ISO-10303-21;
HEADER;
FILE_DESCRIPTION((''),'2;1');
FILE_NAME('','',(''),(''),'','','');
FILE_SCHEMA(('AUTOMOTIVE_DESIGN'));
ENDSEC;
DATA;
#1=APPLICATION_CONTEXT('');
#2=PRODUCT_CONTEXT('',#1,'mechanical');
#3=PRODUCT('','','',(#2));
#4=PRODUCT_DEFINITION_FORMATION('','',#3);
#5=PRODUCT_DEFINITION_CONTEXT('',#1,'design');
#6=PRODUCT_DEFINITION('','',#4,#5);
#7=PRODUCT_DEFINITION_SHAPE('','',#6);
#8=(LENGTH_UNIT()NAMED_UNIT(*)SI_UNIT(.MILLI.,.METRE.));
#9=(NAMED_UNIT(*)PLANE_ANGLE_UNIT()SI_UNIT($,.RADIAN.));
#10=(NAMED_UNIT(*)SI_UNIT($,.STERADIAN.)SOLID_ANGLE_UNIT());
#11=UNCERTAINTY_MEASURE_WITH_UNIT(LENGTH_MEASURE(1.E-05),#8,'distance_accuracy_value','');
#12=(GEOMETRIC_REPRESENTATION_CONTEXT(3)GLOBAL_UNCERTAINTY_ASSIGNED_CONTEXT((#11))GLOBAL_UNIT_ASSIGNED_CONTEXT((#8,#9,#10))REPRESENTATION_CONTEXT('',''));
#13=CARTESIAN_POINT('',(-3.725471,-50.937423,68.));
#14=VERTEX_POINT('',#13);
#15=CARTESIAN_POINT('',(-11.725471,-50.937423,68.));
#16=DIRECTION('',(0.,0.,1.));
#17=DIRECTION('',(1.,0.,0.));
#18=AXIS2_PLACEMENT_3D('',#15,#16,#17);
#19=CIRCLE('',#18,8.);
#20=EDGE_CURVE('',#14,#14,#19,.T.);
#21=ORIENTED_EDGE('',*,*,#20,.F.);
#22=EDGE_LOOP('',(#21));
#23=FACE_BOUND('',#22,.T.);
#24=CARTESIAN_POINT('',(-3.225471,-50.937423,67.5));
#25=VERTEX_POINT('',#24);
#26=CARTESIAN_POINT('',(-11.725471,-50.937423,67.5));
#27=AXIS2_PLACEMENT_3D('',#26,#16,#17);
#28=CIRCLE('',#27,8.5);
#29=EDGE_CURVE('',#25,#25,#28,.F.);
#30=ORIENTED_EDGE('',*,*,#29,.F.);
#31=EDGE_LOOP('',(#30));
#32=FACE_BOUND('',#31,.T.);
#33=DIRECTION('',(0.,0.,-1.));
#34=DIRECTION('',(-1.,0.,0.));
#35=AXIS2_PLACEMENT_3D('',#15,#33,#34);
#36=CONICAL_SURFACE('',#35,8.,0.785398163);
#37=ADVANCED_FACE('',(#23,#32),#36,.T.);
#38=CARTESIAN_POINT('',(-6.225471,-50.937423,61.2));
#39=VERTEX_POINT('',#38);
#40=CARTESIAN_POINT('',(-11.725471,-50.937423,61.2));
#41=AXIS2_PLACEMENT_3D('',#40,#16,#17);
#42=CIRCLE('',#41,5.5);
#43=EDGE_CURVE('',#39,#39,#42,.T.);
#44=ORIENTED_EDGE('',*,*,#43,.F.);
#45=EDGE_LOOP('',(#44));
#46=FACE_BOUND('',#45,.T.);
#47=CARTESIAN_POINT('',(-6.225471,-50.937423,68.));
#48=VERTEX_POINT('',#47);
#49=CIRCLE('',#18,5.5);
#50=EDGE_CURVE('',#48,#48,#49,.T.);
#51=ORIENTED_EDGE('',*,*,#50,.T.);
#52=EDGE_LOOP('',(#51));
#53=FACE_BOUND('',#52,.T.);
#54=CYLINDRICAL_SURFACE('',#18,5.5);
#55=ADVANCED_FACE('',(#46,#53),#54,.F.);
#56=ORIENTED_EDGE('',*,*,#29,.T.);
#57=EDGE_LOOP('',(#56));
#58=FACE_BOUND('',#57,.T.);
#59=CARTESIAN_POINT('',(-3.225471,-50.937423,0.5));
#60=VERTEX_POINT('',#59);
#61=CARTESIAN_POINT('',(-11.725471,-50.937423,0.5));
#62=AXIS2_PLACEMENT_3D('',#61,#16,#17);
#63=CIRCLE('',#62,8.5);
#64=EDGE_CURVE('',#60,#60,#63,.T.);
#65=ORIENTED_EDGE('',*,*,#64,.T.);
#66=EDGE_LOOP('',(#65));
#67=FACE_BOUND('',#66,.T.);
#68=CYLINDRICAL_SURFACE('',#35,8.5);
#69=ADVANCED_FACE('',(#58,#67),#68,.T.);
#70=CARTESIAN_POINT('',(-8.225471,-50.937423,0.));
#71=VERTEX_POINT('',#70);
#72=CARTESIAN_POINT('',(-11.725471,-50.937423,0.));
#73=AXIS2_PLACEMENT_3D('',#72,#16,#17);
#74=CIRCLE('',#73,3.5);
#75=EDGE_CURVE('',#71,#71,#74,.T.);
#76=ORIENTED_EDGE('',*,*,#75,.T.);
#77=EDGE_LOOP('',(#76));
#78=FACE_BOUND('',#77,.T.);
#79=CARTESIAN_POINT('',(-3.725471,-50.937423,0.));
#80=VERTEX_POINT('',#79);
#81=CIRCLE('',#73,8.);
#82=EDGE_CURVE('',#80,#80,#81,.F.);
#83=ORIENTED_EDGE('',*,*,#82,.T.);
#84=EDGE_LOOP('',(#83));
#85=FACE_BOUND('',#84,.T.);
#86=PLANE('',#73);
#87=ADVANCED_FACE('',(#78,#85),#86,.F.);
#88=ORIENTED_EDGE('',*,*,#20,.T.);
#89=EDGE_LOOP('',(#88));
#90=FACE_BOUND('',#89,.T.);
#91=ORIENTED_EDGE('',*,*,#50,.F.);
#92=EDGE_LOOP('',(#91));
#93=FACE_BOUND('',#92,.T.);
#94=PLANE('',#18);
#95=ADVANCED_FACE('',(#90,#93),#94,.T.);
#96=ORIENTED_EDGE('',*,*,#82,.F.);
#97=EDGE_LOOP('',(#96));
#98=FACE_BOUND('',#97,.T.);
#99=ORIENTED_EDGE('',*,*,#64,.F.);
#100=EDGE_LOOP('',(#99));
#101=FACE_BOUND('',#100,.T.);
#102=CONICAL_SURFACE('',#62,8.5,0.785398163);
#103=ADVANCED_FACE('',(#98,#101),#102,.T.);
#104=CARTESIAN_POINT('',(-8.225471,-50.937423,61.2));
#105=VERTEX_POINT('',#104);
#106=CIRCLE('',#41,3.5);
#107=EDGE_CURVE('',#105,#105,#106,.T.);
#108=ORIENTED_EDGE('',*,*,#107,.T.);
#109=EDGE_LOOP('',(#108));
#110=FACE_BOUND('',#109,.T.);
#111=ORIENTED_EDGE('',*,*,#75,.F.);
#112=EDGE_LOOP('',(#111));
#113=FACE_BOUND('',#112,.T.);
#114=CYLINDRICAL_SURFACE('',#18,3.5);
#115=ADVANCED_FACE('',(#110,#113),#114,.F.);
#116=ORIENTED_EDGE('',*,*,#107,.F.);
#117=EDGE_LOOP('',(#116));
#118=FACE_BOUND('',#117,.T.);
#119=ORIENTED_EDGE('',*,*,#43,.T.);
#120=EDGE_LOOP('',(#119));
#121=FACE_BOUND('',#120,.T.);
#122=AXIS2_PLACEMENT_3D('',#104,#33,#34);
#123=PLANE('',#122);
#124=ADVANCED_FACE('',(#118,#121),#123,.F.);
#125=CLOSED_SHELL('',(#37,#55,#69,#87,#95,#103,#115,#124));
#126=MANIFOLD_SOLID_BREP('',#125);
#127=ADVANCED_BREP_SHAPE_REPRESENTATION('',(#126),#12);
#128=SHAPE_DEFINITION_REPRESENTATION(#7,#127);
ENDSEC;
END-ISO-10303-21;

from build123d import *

# Parameters (mm, degrees)
SKETCH_1_R                = 8.5
EXTRUDE_1_DEPTH           = 68
HOLE_WIZARD_1_D           = 7
HOLE_WIZARD_1_CBORE_D     = 11
HOLE_WIZARD_1_CBORE_DEPTH = 6.8
CHAMFER_1_SIZE            = 0.5


with BuildPart() as part:
    # 草图1 → 凸台-拉伸1 (new body)
    with BuildSketch(Plane.XY):
        with Locations((-11.725470696, -50.937423366)):
            Circle(SKETCH_1_R)
    extrude(amount=EXTRUDE_1_DEPTH)

    # 打孔尺寸(%根据)内六角圆柱头螺钉的类型1 (through all)
    with Locations(Plane.XY.offset(68)):
        with Locations((-11.725470696, -50.937423366)):
            CounterBoreHole(HOLE_WIZARD_1_D / 2, HOLE_WIZARD_1_CBORE_D / 2, HOLE_WIZARD_1_CBORE_DEPTH)

    # 倒角1
    chamfer_1_edges = [part.edges().sort_by_distance(p)[0] for p in [
        (-20.225470696, -50.937423366, 0),
        (-20.225470696, -50.937423366, 68),
    ]]
    chamfer(chamfer_1_edges, length=CHAMFER_1_SIZE)


solid = part.part
